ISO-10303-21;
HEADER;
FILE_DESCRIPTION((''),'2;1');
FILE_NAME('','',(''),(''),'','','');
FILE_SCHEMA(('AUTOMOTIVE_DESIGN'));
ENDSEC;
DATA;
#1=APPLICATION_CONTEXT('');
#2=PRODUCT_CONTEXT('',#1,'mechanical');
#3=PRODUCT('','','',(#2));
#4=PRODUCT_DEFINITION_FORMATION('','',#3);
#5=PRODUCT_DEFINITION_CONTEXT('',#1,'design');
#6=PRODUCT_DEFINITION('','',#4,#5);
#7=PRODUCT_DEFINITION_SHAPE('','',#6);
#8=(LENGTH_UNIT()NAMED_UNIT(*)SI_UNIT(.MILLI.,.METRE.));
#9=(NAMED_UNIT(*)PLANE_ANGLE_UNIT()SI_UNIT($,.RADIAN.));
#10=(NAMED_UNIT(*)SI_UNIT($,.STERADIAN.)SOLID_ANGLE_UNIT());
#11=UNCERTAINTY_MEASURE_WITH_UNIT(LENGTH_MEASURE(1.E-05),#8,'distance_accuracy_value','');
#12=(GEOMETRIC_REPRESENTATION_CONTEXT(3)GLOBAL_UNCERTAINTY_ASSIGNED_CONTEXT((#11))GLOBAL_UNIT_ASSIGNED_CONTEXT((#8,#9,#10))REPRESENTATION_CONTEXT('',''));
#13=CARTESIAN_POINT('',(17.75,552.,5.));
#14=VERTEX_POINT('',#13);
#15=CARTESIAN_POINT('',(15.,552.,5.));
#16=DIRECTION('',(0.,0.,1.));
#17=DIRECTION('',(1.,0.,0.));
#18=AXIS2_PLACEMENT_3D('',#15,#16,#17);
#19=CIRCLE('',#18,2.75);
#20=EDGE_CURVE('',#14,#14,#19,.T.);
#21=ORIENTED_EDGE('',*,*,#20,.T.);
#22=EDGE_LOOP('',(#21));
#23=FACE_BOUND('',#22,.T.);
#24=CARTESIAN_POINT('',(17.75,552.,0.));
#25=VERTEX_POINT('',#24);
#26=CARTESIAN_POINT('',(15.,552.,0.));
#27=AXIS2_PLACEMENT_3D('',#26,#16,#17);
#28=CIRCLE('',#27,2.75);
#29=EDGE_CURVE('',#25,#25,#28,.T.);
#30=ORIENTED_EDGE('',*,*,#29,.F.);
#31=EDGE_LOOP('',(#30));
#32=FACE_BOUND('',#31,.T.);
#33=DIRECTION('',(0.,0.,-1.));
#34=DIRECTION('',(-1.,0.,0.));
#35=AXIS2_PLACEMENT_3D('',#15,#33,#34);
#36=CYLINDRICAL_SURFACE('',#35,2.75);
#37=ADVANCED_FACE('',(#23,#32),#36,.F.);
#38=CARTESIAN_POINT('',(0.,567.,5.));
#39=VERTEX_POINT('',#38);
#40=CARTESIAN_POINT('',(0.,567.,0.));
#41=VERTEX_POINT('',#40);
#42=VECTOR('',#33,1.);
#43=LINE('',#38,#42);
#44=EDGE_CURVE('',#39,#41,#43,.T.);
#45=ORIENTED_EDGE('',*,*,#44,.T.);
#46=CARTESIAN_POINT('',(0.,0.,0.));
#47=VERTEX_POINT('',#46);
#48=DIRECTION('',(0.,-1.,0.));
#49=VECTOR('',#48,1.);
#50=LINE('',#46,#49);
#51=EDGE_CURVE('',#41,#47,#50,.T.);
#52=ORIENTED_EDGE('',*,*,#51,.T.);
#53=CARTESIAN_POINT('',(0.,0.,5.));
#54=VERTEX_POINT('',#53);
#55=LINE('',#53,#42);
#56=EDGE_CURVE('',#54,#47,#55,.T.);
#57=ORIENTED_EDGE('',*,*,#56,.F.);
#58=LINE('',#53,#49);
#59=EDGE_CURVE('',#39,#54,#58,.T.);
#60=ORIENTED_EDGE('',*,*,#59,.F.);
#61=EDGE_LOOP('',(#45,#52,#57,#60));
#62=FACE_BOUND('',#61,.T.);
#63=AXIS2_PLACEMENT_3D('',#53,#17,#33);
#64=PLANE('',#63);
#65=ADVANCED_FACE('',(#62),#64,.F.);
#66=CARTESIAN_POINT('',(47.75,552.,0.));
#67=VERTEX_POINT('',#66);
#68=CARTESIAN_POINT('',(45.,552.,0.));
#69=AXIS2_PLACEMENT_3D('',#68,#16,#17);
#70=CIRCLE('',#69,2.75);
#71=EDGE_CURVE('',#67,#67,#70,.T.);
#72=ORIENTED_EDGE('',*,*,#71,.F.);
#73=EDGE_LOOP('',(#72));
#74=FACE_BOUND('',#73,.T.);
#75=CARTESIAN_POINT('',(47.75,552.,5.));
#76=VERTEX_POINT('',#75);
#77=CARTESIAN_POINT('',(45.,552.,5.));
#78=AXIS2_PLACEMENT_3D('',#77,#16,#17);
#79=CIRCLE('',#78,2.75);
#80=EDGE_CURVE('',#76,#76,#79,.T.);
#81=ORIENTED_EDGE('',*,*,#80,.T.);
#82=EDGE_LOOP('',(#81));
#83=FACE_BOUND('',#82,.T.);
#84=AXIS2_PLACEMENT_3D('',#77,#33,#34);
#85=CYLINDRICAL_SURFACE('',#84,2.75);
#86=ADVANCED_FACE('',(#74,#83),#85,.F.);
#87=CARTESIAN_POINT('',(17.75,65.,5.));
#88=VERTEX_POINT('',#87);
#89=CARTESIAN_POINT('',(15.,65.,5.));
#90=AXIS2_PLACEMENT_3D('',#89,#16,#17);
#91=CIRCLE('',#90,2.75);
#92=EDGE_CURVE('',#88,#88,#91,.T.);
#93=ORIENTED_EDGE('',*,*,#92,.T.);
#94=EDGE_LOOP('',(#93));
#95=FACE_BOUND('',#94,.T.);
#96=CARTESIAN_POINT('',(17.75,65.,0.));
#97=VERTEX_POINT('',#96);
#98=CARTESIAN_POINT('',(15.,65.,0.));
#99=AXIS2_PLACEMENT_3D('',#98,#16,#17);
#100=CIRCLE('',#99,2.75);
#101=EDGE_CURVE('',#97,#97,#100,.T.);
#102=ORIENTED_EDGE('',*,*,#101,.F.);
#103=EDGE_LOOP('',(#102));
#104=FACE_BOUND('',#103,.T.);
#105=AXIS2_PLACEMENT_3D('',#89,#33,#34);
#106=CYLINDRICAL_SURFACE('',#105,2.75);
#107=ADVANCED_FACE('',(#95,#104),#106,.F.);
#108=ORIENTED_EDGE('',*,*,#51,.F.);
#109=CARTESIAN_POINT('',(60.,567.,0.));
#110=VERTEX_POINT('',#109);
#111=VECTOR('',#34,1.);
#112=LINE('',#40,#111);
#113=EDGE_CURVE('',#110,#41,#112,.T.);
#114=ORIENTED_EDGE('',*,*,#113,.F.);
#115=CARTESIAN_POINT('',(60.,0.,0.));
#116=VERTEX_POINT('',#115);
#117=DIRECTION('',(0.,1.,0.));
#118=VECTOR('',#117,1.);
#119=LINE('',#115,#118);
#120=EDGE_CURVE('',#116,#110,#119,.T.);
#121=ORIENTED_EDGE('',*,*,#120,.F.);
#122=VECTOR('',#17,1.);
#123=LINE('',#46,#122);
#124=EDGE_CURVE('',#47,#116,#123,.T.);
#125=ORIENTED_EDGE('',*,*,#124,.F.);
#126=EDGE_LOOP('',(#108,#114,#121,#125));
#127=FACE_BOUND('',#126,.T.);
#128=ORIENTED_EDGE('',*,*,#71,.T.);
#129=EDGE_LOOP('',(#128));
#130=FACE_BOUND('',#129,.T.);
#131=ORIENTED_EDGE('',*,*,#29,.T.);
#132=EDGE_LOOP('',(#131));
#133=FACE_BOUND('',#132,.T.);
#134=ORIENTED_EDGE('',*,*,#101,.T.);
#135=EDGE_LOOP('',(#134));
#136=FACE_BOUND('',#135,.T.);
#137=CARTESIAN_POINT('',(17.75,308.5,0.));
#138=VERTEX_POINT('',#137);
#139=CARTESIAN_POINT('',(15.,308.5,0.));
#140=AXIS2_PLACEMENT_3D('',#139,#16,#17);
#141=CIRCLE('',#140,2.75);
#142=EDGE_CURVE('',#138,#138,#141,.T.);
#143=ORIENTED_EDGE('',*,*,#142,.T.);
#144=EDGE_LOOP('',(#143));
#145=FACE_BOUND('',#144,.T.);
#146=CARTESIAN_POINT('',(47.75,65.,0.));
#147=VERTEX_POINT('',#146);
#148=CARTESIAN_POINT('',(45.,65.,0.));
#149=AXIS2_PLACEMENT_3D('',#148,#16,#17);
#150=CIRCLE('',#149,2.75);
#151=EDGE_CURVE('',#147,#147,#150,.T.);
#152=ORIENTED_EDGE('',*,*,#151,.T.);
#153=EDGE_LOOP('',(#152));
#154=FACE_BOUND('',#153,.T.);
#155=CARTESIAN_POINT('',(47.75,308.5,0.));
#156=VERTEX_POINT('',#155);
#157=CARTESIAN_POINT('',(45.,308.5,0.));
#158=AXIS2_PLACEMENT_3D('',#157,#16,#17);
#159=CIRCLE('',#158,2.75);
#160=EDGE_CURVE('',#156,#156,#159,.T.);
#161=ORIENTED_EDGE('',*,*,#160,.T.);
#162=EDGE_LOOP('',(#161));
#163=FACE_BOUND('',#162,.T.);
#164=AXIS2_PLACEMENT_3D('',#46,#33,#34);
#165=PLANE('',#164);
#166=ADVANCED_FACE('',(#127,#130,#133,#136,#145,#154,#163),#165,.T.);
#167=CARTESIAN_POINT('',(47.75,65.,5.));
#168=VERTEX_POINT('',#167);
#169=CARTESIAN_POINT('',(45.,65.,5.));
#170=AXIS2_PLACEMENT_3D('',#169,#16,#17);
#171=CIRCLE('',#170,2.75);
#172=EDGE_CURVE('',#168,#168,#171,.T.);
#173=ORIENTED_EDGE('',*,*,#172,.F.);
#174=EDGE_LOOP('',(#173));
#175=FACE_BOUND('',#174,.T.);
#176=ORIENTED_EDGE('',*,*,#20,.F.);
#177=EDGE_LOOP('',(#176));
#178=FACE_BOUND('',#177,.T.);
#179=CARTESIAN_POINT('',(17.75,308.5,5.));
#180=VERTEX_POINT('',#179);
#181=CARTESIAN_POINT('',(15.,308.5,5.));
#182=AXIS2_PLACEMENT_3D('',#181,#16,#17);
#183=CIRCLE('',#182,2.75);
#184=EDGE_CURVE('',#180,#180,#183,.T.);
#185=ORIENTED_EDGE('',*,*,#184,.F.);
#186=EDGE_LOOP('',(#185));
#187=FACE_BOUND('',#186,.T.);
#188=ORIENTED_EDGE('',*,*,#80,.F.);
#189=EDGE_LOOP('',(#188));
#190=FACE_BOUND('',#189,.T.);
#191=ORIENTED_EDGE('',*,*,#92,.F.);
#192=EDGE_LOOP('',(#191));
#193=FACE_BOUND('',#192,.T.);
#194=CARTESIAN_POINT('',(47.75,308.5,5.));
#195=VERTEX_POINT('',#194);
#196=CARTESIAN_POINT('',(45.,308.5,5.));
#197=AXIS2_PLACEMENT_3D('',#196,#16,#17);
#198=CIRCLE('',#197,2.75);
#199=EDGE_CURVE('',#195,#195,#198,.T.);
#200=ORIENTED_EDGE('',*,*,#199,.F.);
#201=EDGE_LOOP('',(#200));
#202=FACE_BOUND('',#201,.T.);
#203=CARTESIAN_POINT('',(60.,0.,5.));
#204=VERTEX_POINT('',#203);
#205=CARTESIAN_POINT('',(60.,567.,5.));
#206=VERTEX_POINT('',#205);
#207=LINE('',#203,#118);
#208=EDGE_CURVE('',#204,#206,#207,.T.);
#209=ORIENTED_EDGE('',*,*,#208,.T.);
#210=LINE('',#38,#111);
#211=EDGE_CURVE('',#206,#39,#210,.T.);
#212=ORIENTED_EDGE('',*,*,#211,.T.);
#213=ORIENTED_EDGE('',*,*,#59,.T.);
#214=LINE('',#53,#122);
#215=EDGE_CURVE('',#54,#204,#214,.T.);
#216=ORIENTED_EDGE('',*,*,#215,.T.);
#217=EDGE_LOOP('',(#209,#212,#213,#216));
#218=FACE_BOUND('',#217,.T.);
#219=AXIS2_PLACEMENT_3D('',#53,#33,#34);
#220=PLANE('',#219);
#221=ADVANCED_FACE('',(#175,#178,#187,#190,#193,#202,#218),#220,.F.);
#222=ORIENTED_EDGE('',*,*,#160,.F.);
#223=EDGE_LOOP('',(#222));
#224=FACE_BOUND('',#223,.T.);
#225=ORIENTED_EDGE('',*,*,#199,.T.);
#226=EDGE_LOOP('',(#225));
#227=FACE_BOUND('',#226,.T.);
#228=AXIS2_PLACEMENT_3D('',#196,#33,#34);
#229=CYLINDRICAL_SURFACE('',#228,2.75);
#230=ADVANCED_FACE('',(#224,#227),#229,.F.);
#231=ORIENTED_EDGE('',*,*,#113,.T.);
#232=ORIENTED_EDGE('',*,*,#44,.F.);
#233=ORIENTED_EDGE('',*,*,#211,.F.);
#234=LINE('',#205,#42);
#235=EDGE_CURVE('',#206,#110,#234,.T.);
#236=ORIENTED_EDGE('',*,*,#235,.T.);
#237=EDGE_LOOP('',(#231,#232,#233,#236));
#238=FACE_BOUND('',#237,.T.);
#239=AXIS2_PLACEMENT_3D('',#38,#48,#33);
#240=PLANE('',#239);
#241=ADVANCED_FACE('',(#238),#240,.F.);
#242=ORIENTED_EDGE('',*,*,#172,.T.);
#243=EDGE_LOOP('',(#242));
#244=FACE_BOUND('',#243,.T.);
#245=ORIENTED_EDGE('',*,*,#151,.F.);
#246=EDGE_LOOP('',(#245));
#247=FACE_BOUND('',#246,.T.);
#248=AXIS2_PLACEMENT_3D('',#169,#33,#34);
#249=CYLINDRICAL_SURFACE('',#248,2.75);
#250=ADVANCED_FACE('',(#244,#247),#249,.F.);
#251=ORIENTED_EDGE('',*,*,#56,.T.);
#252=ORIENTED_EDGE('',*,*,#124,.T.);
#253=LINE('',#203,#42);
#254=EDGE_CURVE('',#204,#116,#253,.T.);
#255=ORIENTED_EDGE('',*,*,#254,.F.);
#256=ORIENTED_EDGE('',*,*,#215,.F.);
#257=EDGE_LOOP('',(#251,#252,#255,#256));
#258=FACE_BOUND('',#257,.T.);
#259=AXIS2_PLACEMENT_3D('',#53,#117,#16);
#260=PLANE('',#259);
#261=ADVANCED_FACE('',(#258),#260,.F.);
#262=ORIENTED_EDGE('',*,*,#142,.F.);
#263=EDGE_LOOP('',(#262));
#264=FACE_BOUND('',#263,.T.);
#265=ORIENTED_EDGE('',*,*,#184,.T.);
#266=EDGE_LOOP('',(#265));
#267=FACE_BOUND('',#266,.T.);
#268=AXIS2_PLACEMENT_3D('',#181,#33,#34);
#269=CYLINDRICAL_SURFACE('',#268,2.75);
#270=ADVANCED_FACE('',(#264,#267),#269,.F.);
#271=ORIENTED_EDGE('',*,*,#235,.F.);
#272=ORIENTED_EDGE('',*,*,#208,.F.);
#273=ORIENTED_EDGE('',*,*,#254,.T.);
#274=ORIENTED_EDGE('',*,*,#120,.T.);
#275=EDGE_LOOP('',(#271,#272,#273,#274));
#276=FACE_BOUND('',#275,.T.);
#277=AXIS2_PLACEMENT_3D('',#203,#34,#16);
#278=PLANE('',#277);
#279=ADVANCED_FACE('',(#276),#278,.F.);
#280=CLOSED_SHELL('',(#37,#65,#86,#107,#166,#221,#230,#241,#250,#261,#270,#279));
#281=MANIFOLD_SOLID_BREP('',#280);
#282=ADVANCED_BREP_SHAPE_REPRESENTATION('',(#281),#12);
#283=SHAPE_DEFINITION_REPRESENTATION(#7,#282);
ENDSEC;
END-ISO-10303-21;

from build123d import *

# Parameters (mm, degrees)
ESQUISSE1_W        = 60
ESQUISSE1_H        = 567
ESQUISSE1_R        = 2.75
BOSS_EXTRU_1_DEPTH = 5


with BuildPart() as part:
    # Esquisse1 → Boss.-Extru.1 (new body)
    with BuildSketch(Plane.XY):
        with Locations((30, 283.5)):
            Rectangle(ESQUISSE1_W, ESQUISSE1_H)
        with Locations((15, 552)):
            Circle(ESQUISSE1_R, mode=Mode.SUBTRACT)
        with Locations((45, 552)):
            Circle(ESQUISSE1_R, mode=Mode.SUBTRACT)
        with Locations((45, 308.5)):
            Circle(ESQUISSE1_R, mode=Mode.SUBTRACT)
        with Locations((15, 308.5)):
            Circle(ESQUISSE1_R, mode=Mode.SUBTRACT)
        with Locations((45, 65)):
            Circle(ESQUISSE1_R, mode=Mode.SUBTRACT)
        with Locations((15, 65)):
            Circle(ESQUISSE1_R, mode=Mode.SUBTRACT)
    extrude(amount=BOSS_EXTRU_1_DEPTH)


solid = part.part
